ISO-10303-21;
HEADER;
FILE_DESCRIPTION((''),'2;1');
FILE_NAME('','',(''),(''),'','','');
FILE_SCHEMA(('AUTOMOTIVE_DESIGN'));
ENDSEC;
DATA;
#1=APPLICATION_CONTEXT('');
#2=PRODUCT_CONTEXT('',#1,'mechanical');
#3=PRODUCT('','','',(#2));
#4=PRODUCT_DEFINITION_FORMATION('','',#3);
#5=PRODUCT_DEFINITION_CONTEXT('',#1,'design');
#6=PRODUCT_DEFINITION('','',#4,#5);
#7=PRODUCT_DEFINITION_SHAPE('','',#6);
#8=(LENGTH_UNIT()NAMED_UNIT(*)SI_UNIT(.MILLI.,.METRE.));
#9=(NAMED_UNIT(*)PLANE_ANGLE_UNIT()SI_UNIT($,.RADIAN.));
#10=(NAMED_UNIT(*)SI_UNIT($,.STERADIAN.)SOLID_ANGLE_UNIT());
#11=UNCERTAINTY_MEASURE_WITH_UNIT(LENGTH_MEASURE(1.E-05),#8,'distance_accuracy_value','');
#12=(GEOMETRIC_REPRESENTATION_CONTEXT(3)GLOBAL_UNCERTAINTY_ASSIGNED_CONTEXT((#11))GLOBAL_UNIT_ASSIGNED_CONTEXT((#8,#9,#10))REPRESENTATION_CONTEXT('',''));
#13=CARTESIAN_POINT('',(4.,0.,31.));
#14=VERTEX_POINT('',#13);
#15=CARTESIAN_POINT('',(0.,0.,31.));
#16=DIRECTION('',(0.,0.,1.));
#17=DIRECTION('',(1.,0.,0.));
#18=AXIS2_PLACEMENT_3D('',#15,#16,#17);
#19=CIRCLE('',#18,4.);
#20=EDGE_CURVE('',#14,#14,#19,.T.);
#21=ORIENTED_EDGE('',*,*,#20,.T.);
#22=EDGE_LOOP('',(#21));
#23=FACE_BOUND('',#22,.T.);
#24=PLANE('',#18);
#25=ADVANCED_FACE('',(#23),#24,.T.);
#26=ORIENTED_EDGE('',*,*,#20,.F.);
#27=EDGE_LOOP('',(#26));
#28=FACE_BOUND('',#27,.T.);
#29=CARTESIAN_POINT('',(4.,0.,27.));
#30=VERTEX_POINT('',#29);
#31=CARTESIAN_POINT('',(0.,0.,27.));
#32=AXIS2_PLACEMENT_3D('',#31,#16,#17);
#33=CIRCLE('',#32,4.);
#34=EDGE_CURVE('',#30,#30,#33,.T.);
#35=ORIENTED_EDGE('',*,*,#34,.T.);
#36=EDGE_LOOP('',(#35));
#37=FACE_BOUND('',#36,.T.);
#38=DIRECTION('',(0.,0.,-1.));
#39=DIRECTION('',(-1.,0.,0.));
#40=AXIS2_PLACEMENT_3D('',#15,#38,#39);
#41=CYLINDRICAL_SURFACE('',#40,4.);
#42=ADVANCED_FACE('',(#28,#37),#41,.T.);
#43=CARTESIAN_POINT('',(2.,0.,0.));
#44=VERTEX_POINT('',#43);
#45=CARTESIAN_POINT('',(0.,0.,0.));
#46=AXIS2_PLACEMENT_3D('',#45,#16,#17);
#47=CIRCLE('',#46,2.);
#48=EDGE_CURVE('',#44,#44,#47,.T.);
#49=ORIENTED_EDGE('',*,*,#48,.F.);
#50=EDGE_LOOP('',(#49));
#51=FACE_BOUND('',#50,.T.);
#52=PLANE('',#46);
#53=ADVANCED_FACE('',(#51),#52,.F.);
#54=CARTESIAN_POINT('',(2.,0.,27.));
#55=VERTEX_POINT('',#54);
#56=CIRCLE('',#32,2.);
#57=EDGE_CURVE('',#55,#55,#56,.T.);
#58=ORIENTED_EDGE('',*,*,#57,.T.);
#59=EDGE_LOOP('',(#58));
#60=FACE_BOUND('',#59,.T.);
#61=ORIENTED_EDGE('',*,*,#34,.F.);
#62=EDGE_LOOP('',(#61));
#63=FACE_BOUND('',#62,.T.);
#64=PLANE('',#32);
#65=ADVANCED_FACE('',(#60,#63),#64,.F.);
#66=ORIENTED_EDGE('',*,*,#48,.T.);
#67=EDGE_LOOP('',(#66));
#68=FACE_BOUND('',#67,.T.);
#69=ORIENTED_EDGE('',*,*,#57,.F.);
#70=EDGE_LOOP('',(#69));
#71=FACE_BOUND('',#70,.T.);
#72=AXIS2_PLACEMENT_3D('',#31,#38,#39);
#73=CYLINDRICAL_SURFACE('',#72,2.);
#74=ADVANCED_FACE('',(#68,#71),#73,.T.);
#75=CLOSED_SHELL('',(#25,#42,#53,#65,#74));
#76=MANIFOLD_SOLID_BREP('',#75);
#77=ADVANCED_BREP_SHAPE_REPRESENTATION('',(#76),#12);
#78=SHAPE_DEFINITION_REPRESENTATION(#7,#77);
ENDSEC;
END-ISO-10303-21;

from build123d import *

# Parameters (mm, degrees)
SKETCH_1_R      = 2
EXTRUDE_1_DEPTH = 27
SKETCH_2_R      = 4
EXTRUDE_2_DEPTH = 4


with BuildPart() as part:
    # 草图1 → 凸台-拉伸1 (new body)
    with BuildSketch(Plane.XY):
        Circle(SKETCH_1_R)
    extrude(amount=EXTRUDE_1_DEPTH)

    # 草图2 → 凸台-拉伸2 (add)
    with BuildSketch(Plane.XY.offset(27)):
        Circle(SKETCH_2_R)
    extrude(amount=EXTRUDE_2_DEPTH)


solid = part.part
